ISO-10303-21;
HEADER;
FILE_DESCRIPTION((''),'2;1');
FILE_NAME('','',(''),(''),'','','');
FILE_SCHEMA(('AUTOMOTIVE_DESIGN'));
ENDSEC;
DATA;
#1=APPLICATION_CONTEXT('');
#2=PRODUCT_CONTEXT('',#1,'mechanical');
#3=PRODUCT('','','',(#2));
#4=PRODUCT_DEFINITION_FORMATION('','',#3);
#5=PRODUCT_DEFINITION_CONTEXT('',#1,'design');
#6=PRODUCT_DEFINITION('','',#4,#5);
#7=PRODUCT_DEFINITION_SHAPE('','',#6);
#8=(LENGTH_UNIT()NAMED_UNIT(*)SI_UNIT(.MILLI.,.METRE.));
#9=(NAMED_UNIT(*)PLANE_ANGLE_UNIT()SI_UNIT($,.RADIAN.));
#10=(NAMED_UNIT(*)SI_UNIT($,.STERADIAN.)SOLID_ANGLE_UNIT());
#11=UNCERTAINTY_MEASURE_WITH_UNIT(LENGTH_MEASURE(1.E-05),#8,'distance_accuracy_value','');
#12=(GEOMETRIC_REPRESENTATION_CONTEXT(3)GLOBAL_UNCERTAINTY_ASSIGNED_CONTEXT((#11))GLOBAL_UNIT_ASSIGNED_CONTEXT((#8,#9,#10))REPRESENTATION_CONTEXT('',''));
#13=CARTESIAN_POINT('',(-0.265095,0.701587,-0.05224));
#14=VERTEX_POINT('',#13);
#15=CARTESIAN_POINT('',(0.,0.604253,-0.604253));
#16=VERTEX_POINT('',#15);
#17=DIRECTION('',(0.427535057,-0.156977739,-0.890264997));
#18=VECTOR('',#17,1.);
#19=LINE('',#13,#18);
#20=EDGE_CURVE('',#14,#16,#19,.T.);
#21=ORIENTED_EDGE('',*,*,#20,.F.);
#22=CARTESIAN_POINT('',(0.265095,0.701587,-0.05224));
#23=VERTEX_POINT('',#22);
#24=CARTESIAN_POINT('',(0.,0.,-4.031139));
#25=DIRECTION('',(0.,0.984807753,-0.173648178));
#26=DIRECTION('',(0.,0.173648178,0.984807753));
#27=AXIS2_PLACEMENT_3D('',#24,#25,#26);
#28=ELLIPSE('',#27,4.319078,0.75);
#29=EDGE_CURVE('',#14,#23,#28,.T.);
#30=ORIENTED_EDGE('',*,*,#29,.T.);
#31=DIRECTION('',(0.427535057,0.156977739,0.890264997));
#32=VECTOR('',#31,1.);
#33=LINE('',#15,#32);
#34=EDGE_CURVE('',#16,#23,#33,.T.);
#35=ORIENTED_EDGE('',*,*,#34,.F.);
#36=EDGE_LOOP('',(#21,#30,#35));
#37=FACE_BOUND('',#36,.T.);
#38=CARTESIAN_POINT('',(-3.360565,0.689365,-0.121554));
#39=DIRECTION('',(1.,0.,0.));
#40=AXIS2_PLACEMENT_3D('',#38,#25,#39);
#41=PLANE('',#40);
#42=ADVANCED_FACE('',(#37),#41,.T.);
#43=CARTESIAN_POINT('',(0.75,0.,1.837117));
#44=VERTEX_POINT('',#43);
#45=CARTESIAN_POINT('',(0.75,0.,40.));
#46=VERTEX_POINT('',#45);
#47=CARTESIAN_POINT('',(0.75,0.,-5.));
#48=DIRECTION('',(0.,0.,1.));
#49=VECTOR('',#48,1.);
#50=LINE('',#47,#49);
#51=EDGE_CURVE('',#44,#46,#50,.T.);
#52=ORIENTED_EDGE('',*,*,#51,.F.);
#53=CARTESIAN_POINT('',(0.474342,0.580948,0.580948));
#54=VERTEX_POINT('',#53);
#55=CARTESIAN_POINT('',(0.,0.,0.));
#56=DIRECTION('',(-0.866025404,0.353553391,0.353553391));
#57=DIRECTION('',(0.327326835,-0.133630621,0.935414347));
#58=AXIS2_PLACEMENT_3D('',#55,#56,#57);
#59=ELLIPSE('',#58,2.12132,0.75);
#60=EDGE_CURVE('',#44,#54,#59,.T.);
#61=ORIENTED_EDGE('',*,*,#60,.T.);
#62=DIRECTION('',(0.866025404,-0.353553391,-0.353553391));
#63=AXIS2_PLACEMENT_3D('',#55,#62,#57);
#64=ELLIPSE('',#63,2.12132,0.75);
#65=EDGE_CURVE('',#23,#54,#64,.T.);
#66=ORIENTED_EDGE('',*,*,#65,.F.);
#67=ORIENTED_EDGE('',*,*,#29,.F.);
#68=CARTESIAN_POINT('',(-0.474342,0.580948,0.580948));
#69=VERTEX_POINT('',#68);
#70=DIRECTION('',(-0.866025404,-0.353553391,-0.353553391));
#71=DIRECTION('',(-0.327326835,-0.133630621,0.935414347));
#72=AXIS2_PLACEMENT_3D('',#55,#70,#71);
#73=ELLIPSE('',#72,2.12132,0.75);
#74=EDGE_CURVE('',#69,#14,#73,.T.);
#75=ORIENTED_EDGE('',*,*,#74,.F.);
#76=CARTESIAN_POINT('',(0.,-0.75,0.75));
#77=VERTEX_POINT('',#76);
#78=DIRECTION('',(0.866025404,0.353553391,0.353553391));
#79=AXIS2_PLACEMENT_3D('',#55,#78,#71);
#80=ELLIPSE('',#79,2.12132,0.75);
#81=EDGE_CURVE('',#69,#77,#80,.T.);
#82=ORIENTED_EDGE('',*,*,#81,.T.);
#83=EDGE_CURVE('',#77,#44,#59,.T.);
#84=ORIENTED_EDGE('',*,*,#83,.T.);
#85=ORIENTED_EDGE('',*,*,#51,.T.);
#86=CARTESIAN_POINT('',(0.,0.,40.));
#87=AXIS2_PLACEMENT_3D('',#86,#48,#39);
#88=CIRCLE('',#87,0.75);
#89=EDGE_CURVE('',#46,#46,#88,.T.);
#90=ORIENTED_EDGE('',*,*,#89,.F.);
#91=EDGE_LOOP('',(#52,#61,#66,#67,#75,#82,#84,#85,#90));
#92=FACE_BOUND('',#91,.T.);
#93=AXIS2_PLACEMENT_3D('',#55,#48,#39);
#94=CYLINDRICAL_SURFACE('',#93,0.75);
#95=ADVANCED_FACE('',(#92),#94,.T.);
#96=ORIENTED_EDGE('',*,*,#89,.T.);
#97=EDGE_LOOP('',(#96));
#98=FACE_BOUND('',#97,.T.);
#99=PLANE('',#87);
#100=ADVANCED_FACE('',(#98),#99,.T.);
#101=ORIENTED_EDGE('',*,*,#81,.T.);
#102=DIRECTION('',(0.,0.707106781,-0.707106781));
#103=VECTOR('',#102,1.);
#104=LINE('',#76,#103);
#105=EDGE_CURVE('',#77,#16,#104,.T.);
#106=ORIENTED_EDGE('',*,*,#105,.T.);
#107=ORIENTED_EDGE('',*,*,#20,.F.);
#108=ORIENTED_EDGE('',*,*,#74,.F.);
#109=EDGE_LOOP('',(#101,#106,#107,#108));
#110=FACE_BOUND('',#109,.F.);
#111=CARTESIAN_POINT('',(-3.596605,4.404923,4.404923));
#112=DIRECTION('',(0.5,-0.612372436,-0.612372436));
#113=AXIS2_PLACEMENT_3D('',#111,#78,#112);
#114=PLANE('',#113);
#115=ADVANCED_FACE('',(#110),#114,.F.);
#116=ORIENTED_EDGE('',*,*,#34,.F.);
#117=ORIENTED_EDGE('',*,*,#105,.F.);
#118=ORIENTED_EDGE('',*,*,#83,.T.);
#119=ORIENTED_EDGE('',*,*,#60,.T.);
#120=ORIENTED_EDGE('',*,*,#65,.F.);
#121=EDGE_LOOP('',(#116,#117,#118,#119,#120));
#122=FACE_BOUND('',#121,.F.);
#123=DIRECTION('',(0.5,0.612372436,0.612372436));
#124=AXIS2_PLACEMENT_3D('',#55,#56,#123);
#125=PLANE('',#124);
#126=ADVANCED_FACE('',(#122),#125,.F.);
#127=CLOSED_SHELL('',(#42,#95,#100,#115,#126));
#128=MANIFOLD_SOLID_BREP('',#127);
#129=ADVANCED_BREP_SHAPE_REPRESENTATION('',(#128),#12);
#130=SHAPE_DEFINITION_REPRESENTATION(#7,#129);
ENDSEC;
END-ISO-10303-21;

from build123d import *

# Parameters (mm, degrees)
F0_R          = 0.75
F1_DEPTH      = 40
F1_DEPTH_BACK = 5
F4_DEPTH      = 28.8156013334
F4_DEPTH_BACK = 4.0668639918
F6_W          = 6.4407079129
F6_H          = 2.7354915243
F7_DEPTH      = 0.869841948
F7_DEPTH_BACK = 39.5235462537


with BuildPart() as f1:
    # F0 (on Top) → F1 (new body, two sides)
    with BuildSketch(Plane.XY) as f1_sk:
        Circle(F0_R)
    extrude(amount=F1_DEPTH)
    extrude(f1_sk.sketch, amount=-F1_DEPTH_BACK)

    # F3 (on line) → F4 (cut, two sides)
    with BuildSketch(Plane(origin=(0, 0, 0), x_dir=(1, 0, 0), z_dir=(0, 0.7071067812, -0.7071067812))) as f4_sk:
        Polygon((-3.5966049702, -6.2295025431), (0, 0), (3.5966049702, -6.2295025431), (3.5966049702, 7.7731425289), (-3.5966049702, 7.7731425289), align=None)
    extrude(amount=-F4_DEPTH, mode=Mode.SUBTRACT)
    extrude(f4_sk.sketch, amount=F4_DEPTH_BACK, mode=Mode.SUBTRACT)

    # F6 (on face) → F7 (cut, two sides)
    with BuildSketch(Plane(origin=(0, 0, 0), x_dir=(1, 0, 0), z_dir=(0, -0.1736481777, -0.984807753))) as f7_sk:
        with Locations((-0.1402113121, -2.0677457621)):
            Rectangle(F6_W, F6_H)
    extrude(amount=F7_DEPTH, mode=Mode.SUBTRACT)
    extrude(f7_sk.sketch, amount=-F7_DEPTH_BACK, mode=Mode.SUBTRACT)


solid = f1.part
